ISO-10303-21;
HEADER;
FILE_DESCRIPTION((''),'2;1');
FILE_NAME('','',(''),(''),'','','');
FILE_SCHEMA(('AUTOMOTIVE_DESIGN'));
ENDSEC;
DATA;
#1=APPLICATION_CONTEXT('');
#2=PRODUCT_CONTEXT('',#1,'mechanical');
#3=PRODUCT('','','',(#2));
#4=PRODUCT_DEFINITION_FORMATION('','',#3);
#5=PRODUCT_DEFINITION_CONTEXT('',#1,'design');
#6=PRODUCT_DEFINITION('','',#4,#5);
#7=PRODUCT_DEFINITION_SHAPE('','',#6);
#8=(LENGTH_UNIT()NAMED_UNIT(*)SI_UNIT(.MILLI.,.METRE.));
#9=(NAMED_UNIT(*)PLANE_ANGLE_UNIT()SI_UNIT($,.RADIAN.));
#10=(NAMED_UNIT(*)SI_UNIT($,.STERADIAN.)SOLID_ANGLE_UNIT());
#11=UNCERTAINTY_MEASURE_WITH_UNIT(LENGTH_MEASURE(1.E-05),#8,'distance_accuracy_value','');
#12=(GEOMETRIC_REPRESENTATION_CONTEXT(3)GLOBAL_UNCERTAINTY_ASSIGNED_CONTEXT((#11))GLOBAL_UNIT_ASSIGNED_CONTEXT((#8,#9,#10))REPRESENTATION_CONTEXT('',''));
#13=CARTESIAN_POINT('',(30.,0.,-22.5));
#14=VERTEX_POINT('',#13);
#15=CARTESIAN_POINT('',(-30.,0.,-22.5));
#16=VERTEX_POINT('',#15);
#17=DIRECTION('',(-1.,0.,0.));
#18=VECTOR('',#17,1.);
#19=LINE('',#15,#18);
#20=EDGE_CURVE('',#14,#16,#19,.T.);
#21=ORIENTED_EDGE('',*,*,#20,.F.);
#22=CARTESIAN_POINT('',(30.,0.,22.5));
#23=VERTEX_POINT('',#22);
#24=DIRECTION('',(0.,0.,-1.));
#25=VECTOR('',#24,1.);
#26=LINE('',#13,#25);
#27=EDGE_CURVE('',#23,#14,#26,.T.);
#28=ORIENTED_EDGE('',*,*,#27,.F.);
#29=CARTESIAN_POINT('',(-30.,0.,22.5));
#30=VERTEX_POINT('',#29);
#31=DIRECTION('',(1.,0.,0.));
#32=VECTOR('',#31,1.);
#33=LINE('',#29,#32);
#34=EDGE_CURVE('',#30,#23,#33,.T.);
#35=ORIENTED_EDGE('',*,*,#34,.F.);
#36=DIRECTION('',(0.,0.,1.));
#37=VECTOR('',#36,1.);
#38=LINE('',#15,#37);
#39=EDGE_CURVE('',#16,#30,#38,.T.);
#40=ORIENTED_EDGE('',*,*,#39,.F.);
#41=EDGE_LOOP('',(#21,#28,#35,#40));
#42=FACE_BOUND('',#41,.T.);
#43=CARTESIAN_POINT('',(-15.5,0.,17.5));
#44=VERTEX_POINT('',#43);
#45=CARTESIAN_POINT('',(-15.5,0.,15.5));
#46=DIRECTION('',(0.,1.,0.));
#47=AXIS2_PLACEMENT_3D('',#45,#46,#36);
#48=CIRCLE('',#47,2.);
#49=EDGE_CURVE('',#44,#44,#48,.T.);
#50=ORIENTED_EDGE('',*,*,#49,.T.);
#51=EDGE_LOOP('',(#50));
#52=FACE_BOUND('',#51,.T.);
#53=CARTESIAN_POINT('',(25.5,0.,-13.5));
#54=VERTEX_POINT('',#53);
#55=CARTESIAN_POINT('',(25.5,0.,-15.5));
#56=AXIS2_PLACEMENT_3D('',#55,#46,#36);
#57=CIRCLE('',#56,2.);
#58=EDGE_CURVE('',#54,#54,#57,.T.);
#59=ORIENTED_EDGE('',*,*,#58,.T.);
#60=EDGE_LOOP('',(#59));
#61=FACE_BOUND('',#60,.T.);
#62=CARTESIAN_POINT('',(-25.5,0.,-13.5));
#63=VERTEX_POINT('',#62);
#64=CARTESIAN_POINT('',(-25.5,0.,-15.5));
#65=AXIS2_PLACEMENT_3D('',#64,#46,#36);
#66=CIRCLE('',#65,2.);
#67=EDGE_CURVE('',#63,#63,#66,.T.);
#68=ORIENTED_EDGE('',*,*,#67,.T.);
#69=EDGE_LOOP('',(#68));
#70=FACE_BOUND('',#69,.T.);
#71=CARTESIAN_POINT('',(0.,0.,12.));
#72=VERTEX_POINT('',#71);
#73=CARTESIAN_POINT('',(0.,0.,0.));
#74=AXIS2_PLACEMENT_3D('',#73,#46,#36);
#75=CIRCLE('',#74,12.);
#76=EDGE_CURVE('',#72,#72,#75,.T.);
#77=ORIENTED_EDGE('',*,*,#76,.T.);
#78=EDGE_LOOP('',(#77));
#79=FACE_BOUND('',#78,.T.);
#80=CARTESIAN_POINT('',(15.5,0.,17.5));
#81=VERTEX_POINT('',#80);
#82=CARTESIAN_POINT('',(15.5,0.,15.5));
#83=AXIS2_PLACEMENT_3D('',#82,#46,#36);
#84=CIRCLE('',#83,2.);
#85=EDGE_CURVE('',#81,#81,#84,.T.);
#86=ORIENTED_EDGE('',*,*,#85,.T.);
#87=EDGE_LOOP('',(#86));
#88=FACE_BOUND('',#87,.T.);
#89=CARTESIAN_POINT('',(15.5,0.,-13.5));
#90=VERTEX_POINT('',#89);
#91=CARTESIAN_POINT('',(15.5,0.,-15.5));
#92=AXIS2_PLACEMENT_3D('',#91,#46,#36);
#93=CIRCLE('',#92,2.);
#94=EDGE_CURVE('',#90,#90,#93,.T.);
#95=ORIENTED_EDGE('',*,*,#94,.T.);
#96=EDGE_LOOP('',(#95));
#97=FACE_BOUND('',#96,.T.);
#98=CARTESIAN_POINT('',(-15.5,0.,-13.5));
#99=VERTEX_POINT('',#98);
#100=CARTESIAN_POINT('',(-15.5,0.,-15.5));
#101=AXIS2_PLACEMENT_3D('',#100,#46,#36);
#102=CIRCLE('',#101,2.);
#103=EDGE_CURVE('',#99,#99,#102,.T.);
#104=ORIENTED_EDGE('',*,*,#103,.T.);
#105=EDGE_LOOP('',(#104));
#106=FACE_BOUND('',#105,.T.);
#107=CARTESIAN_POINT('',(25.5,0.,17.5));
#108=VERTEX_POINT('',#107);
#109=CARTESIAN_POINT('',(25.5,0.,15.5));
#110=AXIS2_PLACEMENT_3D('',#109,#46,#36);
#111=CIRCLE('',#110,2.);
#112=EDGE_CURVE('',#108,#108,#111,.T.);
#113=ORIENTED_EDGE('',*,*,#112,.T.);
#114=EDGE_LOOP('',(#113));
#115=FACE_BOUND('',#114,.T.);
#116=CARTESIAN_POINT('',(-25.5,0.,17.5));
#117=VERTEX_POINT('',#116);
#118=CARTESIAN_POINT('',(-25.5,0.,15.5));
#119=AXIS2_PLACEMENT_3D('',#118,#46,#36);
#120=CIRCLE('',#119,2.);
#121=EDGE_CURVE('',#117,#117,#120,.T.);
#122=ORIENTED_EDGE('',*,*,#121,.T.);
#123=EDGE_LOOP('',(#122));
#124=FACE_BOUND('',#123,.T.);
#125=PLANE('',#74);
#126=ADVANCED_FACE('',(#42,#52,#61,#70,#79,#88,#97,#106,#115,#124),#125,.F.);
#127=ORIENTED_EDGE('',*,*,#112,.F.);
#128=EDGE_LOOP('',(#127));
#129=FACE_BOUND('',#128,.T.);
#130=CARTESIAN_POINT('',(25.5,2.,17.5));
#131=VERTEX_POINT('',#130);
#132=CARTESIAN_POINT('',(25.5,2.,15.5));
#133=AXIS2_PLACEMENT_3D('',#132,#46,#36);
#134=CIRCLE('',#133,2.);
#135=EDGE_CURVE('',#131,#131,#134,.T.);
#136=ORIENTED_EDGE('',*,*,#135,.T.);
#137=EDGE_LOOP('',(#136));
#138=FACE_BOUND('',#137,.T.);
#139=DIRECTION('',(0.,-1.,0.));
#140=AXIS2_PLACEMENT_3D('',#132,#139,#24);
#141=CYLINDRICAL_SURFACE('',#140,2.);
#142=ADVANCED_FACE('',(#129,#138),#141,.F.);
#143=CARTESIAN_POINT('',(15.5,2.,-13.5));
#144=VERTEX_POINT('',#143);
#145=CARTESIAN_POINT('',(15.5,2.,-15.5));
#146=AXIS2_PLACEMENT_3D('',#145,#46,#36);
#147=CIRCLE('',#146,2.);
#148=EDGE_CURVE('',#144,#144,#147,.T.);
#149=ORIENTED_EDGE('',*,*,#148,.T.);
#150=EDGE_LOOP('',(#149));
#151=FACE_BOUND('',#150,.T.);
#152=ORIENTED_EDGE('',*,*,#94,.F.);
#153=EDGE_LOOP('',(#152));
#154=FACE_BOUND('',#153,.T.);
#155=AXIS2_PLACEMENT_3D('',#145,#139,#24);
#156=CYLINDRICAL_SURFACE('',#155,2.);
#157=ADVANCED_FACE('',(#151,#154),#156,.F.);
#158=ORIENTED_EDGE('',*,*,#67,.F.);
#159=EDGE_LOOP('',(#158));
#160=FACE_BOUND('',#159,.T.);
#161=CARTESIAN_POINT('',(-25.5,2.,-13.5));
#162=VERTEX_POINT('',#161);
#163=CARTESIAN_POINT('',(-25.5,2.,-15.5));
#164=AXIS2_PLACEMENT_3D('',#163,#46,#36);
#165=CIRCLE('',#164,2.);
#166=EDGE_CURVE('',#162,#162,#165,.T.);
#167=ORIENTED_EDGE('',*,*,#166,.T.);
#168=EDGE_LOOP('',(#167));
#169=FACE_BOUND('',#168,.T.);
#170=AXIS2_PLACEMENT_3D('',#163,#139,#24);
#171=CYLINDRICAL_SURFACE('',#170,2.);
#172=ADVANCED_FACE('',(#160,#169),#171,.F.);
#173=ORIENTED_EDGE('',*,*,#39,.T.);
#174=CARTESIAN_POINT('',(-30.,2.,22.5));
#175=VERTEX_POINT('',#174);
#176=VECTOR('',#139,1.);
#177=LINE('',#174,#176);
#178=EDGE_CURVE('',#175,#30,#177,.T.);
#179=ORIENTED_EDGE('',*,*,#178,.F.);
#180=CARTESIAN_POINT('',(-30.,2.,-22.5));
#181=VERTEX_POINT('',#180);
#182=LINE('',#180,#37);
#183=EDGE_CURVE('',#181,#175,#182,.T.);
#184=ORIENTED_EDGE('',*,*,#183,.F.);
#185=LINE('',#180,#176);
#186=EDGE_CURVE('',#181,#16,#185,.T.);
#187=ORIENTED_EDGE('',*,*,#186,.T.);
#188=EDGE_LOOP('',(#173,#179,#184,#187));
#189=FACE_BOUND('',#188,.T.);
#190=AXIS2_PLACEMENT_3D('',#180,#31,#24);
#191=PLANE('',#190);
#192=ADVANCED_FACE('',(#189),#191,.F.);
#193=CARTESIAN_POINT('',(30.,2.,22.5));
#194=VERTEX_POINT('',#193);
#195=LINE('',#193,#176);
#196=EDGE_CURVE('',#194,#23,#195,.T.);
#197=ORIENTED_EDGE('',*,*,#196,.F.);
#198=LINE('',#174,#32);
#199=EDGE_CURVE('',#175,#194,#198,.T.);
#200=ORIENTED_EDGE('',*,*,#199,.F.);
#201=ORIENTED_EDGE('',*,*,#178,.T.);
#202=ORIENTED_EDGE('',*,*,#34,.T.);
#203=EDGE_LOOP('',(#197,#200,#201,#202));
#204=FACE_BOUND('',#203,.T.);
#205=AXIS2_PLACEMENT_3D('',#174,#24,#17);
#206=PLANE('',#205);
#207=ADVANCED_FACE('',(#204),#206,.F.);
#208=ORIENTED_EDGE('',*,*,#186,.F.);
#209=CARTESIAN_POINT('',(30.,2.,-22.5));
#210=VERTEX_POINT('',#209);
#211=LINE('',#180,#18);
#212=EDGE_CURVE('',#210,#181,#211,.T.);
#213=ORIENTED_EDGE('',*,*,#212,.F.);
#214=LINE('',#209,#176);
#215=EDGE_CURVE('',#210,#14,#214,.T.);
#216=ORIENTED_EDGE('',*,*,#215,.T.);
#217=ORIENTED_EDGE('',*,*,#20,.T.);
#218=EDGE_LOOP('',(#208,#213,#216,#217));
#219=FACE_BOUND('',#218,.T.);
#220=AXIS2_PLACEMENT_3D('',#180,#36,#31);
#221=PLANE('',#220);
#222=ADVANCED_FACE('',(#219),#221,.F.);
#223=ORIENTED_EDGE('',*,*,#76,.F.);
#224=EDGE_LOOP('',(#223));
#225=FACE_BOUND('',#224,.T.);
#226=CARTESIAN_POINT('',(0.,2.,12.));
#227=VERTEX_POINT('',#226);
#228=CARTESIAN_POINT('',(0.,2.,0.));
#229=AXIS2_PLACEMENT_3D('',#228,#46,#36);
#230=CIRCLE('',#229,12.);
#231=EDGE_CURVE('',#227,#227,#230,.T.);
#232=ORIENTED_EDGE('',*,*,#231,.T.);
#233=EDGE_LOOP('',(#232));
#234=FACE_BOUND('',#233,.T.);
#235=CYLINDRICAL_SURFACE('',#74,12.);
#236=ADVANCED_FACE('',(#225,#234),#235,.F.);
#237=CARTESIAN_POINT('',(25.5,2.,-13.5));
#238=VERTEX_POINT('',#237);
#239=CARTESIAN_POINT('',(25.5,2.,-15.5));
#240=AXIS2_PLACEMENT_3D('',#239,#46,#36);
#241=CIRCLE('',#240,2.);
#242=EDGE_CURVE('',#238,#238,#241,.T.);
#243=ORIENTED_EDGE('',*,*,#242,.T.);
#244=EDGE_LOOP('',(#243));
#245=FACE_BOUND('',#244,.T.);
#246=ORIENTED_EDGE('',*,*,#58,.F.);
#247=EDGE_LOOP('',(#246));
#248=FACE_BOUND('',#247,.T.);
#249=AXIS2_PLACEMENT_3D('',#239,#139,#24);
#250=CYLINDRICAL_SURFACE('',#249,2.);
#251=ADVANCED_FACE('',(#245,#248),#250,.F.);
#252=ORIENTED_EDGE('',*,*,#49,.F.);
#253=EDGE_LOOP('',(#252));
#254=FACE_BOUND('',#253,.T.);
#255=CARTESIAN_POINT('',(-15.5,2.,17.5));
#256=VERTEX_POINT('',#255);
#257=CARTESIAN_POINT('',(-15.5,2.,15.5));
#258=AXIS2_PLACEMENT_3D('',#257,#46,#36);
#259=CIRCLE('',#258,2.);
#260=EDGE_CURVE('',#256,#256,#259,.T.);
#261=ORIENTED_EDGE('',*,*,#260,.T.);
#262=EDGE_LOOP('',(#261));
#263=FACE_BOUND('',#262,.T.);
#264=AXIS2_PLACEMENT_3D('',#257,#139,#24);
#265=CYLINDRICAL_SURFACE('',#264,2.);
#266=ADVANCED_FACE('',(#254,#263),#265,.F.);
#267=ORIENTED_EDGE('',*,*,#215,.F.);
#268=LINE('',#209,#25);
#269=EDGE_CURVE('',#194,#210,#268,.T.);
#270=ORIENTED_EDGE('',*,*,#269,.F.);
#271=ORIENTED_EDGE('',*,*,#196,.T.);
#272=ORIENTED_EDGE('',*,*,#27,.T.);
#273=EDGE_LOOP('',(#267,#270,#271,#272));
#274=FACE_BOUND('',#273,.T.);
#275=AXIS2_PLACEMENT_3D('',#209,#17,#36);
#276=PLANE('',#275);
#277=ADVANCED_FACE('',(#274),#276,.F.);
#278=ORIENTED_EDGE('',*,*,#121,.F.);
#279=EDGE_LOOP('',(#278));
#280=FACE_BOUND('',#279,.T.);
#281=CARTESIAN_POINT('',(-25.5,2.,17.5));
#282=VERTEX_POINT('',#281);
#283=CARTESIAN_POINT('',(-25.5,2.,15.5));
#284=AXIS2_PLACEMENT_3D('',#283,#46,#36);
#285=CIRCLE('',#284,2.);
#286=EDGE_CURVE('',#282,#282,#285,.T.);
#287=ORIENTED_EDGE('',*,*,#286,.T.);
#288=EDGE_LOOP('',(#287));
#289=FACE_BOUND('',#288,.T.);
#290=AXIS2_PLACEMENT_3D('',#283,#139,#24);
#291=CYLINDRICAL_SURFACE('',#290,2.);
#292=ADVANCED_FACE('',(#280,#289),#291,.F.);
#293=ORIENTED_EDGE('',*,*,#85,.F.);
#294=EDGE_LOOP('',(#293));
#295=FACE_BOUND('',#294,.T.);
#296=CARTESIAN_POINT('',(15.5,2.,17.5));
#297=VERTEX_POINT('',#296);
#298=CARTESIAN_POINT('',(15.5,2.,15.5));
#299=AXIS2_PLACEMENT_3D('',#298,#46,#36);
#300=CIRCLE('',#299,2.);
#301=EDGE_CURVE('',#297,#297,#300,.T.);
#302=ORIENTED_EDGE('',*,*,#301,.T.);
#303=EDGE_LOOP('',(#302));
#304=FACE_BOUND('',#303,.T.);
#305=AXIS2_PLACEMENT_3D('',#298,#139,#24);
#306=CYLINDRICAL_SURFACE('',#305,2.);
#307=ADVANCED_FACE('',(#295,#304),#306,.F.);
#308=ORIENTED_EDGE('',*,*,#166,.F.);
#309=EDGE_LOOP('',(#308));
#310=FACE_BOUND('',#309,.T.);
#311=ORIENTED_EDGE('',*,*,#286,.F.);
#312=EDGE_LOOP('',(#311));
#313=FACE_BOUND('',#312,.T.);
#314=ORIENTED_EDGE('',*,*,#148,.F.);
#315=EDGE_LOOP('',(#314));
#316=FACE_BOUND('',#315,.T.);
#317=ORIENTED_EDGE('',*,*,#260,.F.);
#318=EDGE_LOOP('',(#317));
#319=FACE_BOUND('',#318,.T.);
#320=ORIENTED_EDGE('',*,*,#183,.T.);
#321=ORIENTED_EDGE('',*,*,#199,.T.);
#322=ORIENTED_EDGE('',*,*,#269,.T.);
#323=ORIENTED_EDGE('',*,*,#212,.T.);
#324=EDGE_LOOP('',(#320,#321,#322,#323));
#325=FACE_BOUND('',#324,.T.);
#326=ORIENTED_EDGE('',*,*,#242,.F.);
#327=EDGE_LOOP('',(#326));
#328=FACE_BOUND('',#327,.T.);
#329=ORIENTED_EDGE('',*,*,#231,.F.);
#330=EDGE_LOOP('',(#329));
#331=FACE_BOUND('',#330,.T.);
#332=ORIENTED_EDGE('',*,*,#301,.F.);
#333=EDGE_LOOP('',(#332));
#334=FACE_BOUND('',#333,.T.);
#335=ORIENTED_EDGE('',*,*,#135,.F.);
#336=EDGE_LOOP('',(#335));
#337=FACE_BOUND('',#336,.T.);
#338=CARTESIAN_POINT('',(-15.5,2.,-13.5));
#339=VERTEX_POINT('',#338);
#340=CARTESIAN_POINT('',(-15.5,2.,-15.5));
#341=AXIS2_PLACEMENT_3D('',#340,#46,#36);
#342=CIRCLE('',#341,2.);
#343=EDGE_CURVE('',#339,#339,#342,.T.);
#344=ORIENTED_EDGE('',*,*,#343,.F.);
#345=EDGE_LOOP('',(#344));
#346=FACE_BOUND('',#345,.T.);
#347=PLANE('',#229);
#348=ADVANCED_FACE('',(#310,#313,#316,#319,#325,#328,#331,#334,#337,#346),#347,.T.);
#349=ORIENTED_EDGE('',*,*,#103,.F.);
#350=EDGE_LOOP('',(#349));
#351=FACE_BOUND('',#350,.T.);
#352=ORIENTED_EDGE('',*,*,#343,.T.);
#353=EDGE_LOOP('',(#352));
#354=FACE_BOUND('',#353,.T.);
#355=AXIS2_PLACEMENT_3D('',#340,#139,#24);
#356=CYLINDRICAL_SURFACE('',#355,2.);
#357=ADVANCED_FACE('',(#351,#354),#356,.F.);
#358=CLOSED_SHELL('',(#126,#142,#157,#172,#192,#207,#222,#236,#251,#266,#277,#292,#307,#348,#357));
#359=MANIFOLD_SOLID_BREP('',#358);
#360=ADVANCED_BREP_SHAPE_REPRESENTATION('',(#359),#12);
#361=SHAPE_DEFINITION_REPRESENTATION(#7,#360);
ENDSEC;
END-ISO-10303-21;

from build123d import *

# Parameters (mm, degrees)
SKETCH1_W           = 60
SKETCH1_H           = 45
SKETCH1_R           = 2
BOSS_EXTRUDE1_DEPTH = 2
SKETCH2_R           = 12
CUT_EXTRUDE1_DEPTH  = 38.553295461


with BuildPart() as part:
    # Sketch1 → Boss-Extrude1 (new body)
    with BuildSketch(Plane(origin=(0, 0, 0), x_dir=(1, 0, 0), z_dir=(0, 1, 0))):
        Rectangle(SKETCH1_W, SKETCH1_H)
        with Locations(Location((-15.5, 15.5, 0), (0, 0, 270))):
            Circle(SKETCH1_R, mode=Mode.SUBTRACT)
        with Locations(Location((15.5, 15.5, 0), (0, 0, 270))):
            Circle(SKETCH1_R, mode=Mode.SUBTRACT)
        with Locations(Location((15.5, -15.5, 0), (0, 0, 270))):
            Circle(SKETCH1_R, mode=Mode.SUBTRACT)
        with Locations(Location((-15.5, -15.5, 0), (0, 0, 270))):
            Circle(SKETCH1_R, mode=Mode.SUBTRACT)
        with Locations(Location((-25.5, 15.5, 0), (0, 0, 270))):
            Circle(SKETCH1_R, mode=Mode.SUBTRACT)
        with Locations(Location((-25.5, -15.5, 0), (0, 0, 270))):
            Circle(SKETCH1_R, mode=Mode.SUBTRACT)
        with Locations(Location((25.5, -15.5, 0), (0, 0, 270))):
            Circle(SKETCH1_R, mode=Mode.SUBTRACT)
        with Locations(Location((25.5, 15.5, 0), (0, 0, 270))):
            Circle(SKETCH1_R, mode=Mode.SUBTRACT)
    extrude(amount=BOSS_EXTRUDE1_DEPTH)

    # Sketch2 → Cut-Extrude1 (cut, through all)
    with BuildSketch(Plane(origin=(0, 2, 0), x_dir=(1, 0, 0), z_dir=(0, 1, 0))):
        with Locations(Location((0, 0, 0), (0, 0, 270))):
            Circle(SKETCH2_R)
    extrude(amount=-CUT_EXTRUDE1_DEPTH, mode=Mode.SUBTRACT)


solid = part.part
